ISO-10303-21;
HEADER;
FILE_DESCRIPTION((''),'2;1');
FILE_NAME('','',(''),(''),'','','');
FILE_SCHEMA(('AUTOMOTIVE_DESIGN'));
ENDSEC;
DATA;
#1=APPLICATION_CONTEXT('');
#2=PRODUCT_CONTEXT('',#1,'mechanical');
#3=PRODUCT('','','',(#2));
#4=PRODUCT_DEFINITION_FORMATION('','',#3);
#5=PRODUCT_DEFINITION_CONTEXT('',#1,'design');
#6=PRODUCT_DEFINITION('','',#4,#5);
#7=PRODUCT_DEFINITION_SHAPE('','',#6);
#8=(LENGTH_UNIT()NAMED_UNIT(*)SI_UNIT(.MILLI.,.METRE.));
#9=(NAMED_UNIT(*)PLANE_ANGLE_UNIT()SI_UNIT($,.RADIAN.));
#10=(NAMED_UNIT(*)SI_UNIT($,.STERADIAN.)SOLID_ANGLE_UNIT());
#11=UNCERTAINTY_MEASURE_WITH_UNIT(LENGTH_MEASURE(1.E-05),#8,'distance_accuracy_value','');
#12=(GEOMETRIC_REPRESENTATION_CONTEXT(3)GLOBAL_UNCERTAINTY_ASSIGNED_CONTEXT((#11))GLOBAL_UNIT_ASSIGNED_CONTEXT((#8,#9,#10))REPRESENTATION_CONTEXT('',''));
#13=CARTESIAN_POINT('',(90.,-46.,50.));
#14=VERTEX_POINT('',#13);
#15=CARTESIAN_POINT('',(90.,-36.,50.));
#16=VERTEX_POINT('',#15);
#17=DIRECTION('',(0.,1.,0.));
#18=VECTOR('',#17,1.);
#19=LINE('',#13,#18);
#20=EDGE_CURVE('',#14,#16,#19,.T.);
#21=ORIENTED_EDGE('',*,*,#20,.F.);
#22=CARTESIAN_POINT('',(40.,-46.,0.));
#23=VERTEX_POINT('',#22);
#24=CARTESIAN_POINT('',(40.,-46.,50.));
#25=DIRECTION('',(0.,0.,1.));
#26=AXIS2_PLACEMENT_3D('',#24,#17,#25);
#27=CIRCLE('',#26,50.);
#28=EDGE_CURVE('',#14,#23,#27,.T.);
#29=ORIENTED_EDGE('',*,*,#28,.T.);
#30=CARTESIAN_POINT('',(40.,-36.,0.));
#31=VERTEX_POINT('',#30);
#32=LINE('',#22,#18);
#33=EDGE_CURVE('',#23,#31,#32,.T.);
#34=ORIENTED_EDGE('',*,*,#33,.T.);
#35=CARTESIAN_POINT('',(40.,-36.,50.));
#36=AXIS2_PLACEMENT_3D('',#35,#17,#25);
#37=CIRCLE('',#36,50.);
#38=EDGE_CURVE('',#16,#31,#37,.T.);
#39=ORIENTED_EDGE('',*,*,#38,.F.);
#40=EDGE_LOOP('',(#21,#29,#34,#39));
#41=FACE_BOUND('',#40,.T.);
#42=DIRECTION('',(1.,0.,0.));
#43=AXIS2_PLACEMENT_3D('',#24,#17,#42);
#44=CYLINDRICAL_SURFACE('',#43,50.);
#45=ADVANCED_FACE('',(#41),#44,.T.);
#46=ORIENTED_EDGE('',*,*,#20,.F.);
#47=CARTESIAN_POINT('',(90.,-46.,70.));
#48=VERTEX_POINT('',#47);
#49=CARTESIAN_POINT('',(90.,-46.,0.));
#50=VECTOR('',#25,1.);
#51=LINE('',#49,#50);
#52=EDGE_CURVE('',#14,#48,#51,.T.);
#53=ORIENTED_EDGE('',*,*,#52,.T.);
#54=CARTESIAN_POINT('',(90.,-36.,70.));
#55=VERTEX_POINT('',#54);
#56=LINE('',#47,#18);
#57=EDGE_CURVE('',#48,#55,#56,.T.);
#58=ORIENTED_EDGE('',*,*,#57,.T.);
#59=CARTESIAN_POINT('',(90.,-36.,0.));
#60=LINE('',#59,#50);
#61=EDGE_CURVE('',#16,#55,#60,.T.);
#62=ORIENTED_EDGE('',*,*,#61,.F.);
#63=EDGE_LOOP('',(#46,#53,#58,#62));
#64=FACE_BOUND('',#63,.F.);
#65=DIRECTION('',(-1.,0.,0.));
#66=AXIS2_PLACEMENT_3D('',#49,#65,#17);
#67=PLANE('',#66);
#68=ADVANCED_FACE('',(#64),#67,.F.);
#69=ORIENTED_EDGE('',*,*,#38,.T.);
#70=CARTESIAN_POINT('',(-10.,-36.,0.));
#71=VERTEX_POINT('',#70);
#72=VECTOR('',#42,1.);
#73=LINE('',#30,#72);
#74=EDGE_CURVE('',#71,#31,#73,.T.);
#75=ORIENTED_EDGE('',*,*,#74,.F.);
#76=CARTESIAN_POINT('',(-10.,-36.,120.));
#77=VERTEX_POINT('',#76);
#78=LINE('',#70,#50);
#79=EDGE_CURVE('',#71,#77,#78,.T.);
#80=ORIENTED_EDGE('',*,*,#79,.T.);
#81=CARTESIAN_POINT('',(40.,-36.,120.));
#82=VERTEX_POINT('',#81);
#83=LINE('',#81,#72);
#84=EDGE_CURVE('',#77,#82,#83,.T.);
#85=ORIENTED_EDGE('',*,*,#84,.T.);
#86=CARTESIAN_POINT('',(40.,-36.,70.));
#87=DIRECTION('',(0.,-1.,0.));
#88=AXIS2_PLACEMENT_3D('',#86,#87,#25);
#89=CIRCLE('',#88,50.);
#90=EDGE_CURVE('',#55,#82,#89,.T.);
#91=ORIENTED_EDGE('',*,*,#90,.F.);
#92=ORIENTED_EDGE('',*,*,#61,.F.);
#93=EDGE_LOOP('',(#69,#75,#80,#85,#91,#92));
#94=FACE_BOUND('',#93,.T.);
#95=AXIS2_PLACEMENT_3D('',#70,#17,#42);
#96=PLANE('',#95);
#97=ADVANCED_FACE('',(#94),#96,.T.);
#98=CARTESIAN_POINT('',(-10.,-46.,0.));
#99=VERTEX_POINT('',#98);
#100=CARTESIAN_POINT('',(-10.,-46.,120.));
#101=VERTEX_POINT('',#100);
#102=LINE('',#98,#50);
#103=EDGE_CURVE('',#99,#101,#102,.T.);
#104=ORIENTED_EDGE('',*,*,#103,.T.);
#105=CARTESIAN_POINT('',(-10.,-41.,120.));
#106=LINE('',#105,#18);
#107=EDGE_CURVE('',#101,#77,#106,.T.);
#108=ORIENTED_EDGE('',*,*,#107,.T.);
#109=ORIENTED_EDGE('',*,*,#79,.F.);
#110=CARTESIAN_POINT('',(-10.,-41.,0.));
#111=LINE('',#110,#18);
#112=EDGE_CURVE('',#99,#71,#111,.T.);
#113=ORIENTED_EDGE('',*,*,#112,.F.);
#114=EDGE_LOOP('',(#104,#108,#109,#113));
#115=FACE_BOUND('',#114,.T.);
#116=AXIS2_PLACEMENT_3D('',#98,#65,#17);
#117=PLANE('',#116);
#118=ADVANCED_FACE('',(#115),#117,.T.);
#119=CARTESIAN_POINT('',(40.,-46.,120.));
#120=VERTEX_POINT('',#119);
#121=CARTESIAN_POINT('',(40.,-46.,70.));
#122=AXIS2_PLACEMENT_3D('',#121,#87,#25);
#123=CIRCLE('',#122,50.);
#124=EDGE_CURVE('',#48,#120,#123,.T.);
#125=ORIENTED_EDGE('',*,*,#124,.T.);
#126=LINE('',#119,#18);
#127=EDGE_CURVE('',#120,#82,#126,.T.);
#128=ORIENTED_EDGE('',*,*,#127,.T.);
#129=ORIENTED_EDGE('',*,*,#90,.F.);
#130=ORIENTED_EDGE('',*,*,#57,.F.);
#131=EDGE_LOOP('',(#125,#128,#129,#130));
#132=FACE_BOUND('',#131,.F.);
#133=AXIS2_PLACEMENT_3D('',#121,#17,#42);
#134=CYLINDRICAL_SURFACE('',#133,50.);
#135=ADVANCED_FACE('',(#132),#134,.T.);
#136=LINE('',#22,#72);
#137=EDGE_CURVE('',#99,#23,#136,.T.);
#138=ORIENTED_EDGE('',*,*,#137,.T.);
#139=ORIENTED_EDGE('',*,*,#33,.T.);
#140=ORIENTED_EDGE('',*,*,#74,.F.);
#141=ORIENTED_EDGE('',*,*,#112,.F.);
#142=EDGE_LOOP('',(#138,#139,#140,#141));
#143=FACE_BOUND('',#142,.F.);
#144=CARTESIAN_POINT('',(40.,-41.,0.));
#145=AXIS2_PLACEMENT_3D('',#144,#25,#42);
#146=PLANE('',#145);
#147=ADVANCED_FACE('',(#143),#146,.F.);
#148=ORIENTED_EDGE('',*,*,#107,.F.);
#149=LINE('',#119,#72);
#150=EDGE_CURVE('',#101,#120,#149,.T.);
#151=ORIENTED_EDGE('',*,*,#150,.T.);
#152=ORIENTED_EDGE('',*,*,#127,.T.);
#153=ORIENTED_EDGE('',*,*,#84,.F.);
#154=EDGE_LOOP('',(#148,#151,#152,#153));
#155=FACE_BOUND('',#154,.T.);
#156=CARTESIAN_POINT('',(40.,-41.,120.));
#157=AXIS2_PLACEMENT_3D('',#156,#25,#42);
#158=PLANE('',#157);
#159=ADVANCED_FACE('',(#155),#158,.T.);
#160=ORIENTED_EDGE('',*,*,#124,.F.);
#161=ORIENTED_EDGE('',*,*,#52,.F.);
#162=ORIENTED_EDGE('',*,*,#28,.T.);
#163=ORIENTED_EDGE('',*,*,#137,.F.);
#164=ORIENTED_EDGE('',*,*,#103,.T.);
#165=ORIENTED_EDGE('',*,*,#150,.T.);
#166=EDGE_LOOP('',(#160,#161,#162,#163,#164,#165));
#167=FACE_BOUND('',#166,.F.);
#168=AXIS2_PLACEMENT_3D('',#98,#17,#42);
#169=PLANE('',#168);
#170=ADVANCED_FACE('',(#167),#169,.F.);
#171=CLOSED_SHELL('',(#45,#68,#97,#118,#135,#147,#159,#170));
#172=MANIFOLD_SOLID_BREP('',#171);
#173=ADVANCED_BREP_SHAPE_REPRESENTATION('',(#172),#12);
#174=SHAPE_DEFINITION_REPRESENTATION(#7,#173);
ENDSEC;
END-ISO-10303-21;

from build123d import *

# Parameters (mm, degrees)
BOX014_W     = 100
BOX014_H     = 10
BOX014_DEPTH = 120
FILLET_R     = 50
FILLET001_R  = 50


with BuildPart() as part:
    # Box014 → Box014 (new body)
    with BuildSketch(Plane(origin=(-10, -46, 0), x_dir=(1, 0, 0), z_dir=(0, 0, 1))):
        with Locations((50, 5)):
            Rectangle(BOX014_W, BOX014_H)
    extrude(amount=BOX014_DEPTH)

    # Fillet
    fillet_edges = [part.edges().sort_by_distance(p)[0] for p in [
        (90, -41, 0),
    ]]
    fillet(fillet_edges, radius=FILLET_R)

    # Fillet001
    fillet001_edges = [part.edges().sort_by_distance(p)[0] for p in [
        (90, -41, 120),
    ]]
    fillet(fillet001_edges, radius=FILLET001_R)


solid = part.part
